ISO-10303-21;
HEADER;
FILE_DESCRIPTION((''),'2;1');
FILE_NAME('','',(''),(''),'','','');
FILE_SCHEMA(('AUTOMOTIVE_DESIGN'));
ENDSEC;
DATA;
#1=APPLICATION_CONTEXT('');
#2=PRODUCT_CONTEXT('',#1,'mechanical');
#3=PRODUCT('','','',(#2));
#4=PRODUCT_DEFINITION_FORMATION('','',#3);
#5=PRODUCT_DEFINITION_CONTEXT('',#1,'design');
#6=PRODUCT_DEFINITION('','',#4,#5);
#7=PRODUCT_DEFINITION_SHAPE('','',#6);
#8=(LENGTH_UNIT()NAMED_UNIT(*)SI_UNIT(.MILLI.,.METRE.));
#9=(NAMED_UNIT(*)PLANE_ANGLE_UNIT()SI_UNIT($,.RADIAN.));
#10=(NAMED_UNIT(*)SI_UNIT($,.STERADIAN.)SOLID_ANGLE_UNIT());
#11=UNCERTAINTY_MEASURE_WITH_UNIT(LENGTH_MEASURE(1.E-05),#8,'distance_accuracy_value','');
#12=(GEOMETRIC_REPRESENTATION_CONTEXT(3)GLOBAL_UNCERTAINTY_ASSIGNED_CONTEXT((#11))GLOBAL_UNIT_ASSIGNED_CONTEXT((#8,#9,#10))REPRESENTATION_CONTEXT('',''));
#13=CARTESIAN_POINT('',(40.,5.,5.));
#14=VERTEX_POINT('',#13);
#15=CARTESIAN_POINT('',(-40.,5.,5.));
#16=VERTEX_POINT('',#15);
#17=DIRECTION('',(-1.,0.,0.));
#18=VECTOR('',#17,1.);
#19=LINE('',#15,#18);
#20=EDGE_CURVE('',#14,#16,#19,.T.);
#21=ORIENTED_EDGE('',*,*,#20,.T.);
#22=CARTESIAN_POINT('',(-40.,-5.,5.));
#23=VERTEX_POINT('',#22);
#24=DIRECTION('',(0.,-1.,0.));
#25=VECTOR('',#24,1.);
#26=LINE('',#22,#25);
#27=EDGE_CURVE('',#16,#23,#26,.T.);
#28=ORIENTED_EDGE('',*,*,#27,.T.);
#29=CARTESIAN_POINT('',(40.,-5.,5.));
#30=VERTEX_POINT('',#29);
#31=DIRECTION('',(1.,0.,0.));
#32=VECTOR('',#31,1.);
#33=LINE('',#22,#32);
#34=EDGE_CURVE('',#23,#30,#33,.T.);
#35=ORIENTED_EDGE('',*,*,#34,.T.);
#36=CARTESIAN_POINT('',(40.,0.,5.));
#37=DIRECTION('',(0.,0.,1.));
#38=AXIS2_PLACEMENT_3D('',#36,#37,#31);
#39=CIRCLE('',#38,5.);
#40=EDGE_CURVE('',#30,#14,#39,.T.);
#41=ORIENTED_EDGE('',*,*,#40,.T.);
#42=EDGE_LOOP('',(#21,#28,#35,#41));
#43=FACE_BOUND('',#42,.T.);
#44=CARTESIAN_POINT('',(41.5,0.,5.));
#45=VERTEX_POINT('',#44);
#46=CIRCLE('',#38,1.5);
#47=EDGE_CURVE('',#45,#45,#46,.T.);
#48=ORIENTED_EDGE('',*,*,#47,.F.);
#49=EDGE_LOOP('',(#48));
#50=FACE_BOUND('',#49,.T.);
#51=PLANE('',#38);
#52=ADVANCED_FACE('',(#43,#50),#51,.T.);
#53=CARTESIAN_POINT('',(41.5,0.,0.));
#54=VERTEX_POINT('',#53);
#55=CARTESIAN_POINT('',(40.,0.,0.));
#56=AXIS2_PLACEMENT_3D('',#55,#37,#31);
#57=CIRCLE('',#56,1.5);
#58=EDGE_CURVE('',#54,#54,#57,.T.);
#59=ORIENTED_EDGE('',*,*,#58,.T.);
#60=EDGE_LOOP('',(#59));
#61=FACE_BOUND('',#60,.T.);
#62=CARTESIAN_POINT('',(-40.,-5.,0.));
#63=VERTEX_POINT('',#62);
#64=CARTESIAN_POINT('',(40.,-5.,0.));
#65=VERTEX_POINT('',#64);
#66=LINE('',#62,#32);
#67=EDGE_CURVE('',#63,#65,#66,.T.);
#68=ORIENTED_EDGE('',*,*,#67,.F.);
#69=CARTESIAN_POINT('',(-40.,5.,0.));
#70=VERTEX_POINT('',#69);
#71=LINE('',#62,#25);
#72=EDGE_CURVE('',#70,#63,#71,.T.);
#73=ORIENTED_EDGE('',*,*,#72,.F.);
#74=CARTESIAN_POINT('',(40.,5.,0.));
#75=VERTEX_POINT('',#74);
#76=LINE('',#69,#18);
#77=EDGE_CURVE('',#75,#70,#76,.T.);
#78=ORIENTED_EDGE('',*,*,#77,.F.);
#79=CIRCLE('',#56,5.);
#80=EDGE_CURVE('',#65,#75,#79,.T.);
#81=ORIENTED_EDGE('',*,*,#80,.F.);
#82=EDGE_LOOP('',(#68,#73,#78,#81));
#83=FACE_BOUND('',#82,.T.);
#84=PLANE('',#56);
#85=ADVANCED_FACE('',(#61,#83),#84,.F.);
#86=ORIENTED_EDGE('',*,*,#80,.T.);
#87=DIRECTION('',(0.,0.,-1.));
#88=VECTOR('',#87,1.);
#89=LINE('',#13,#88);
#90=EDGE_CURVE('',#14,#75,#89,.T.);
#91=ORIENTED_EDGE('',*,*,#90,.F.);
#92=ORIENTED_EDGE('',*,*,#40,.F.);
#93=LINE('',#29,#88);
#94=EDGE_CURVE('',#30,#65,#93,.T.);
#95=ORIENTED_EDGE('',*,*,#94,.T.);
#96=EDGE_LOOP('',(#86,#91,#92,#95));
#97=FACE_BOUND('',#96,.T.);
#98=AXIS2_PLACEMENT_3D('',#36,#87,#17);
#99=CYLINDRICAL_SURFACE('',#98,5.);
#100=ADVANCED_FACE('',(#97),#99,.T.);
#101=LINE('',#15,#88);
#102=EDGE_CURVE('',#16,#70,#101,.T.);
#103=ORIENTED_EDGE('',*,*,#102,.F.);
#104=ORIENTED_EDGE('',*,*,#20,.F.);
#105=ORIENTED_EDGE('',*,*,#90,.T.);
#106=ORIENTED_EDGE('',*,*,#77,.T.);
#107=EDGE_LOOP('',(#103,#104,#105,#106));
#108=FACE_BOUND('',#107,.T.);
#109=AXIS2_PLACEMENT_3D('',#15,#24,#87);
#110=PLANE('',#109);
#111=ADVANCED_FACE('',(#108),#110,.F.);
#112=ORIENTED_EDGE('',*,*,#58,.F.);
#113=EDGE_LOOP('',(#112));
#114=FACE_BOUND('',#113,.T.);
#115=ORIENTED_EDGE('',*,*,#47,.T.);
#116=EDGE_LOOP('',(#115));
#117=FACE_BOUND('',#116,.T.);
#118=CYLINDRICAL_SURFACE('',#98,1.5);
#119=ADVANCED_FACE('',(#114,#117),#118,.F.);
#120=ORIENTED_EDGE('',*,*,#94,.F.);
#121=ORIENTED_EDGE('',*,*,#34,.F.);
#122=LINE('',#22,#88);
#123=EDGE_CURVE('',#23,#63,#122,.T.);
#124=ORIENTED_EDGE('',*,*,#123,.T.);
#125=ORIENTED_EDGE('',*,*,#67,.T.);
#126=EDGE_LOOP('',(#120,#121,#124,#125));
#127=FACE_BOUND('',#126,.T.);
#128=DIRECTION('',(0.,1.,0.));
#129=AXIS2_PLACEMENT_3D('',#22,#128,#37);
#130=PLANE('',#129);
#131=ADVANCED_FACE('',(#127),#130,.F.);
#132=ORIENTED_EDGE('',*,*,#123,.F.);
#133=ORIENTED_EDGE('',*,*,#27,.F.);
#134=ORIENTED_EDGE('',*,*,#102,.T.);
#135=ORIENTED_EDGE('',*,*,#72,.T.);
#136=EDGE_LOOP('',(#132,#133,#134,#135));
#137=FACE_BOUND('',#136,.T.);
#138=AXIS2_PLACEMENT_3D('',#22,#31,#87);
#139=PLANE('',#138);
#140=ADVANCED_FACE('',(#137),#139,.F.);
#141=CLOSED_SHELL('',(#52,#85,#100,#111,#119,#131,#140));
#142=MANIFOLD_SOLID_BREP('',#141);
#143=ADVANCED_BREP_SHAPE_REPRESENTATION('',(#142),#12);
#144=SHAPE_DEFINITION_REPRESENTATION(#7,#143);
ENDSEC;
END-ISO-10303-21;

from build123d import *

# Parameters (mm, degrees)
SKETCH_1_R      = 1.5
EXTRUDE_1_DEPTH = 5


with BuildPart() as part:
    # 草图1 → 凸台-拉伸1 (new body)
    with BuildSketch(Plane.XY):
        with BuildLine():
            Line((-40, -5), (40, -5))
            ThreePointArc((40, -5), (45, 0), (40, 5))
            Line((40, 5), (-40, 5))
            Line((-40, 5), (-40, -5))
        make_face()
        with Locations((40, 0)):
            Circle(SKETCH_1_R, mode=Mode.SUBTRACT)
    extrude(amount=EXTRUDE_1_DEPTH)


solid = part.part
